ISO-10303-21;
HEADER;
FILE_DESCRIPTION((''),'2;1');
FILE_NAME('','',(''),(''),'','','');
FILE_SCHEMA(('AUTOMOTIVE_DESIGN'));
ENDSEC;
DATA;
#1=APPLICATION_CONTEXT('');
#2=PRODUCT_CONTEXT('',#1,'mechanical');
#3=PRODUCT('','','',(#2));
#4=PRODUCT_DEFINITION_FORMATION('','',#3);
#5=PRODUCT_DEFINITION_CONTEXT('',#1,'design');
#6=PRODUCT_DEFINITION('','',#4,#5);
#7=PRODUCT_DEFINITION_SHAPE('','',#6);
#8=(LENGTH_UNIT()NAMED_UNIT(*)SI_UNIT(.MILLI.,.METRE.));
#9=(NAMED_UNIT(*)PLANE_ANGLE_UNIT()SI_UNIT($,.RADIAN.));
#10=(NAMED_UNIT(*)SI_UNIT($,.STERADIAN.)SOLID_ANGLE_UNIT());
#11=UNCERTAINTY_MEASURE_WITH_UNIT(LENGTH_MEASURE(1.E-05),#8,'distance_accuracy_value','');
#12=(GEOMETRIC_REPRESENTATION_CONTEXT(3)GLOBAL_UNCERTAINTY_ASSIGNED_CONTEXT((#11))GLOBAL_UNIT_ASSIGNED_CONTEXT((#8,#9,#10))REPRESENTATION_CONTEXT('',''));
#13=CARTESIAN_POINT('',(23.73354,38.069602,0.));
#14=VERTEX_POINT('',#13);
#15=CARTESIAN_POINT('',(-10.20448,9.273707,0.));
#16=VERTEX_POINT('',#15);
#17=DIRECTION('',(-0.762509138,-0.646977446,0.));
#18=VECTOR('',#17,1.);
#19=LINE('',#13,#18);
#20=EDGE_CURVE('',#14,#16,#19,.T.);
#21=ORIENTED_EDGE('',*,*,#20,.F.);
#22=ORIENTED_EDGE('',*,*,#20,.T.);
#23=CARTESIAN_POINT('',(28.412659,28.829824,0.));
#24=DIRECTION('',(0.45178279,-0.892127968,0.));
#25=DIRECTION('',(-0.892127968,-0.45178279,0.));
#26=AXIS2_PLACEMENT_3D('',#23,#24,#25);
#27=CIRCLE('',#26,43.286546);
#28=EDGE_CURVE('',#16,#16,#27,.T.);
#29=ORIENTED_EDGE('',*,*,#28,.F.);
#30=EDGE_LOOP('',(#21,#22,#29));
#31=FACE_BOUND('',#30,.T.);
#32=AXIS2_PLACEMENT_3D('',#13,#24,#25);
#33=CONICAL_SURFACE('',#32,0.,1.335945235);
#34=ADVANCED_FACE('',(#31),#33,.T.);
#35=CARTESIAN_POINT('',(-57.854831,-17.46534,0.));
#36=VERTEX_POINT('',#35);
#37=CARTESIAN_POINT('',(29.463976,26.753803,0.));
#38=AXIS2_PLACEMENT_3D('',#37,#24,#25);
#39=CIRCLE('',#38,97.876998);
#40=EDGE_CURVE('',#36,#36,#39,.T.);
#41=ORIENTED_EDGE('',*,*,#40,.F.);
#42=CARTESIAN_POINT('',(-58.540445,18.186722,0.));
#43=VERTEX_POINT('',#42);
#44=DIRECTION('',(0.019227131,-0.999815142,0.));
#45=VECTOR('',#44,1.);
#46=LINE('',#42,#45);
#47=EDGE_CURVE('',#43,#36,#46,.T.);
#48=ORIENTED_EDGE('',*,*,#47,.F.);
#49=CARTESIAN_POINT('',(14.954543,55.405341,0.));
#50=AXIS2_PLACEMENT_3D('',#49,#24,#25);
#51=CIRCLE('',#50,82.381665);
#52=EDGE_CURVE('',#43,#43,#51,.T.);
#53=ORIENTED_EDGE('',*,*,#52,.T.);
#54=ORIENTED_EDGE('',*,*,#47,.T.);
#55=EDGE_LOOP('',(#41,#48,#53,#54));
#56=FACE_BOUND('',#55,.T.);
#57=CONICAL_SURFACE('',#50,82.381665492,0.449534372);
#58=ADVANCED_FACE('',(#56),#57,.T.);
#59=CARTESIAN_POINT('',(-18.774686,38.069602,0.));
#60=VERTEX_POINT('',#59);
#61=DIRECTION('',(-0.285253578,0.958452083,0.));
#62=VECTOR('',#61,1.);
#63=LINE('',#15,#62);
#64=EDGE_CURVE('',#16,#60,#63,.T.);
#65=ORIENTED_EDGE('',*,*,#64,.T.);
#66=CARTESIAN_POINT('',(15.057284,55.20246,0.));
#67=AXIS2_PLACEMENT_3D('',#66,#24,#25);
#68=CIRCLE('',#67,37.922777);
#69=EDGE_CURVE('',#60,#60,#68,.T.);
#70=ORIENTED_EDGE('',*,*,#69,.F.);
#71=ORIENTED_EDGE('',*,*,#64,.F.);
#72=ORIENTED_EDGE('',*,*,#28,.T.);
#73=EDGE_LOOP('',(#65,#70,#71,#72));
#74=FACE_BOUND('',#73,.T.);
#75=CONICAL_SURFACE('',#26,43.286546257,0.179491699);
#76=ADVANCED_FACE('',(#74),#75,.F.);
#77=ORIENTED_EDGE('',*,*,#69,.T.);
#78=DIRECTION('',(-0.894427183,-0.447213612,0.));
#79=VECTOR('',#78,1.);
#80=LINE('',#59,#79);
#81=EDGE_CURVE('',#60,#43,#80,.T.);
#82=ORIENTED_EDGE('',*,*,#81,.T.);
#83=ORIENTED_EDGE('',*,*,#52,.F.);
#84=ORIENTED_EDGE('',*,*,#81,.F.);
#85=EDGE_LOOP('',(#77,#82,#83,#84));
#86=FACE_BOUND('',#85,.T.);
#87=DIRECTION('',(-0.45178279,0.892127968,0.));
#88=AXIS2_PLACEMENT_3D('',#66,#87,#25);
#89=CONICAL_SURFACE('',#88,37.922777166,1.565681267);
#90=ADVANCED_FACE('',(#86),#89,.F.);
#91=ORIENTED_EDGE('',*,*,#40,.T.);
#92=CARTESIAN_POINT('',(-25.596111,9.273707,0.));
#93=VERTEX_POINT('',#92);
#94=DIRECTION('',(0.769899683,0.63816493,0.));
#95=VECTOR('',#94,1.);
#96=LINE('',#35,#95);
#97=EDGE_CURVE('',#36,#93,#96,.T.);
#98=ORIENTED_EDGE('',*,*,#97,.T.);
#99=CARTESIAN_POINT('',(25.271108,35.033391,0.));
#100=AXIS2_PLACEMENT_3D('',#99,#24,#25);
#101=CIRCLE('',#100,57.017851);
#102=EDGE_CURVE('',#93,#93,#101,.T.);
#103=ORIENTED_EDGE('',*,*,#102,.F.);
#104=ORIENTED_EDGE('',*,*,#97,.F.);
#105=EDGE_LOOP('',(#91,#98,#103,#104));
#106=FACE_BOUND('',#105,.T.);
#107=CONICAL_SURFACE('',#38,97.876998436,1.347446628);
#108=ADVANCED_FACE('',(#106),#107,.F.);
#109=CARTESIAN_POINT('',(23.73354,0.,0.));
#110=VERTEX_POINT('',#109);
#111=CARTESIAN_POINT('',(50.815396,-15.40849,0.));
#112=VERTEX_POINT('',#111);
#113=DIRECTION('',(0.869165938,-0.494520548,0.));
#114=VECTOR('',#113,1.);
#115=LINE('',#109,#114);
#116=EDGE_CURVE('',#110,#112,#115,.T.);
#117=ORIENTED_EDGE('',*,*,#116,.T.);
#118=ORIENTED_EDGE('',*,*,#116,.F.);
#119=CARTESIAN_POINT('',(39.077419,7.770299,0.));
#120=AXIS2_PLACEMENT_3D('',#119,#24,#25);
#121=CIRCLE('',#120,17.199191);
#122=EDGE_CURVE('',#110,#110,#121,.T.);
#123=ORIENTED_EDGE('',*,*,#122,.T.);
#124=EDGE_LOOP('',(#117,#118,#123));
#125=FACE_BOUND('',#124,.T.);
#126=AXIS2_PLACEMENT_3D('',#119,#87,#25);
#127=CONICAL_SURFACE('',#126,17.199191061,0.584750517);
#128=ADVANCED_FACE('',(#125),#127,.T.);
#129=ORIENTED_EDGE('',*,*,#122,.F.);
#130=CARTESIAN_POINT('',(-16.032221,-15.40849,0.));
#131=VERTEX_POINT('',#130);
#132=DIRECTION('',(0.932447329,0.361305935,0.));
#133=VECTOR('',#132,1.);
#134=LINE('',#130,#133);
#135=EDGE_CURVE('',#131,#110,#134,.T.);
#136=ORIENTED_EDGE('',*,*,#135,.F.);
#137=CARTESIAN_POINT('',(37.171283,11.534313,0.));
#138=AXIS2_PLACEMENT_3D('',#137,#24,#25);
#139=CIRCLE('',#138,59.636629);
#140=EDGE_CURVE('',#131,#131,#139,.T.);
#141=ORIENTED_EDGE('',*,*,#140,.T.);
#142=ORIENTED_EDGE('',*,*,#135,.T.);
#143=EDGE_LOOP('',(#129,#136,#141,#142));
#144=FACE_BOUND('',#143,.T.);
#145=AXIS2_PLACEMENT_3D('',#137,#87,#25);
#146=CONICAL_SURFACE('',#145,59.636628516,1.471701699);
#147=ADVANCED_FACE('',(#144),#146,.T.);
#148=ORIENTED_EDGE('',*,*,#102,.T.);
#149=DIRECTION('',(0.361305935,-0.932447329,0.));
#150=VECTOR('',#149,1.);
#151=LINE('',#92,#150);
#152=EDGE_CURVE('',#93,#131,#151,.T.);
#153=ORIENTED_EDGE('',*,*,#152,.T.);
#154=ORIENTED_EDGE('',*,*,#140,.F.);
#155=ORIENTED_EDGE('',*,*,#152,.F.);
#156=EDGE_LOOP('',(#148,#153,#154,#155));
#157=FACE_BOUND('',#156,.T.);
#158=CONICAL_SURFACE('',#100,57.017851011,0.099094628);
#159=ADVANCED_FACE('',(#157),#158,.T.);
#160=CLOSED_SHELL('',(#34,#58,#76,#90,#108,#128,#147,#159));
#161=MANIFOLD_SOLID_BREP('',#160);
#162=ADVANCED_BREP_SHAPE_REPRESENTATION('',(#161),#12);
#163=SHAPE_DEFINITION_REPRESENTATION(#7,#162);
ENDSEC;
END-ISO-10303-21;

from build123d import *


with BuildPart() as f1:
    # F0 (on Top) → F1 (revolve)
    with BuildSketch(Plane.XY):
        Polygon((-58.5404448211, 18.1867219508), (-57.8548312187, -17.4653399736), (-25.5961113356, 9.2737069353), (-16.0322207958, -15.4084898531), (23.7335395068, 0), (50.8153960109, -15.4084898531), (23.7335395068, 38.069602102), (-10.2044800296, 9.2737069353), (-18.7746863812, 38.069602102), align=None)
    revolve(axis=Axis((37.2744677588, 11.3305561244, 0), (0.4517827902, -0.8921279675, 0)))


solid = f1.part
